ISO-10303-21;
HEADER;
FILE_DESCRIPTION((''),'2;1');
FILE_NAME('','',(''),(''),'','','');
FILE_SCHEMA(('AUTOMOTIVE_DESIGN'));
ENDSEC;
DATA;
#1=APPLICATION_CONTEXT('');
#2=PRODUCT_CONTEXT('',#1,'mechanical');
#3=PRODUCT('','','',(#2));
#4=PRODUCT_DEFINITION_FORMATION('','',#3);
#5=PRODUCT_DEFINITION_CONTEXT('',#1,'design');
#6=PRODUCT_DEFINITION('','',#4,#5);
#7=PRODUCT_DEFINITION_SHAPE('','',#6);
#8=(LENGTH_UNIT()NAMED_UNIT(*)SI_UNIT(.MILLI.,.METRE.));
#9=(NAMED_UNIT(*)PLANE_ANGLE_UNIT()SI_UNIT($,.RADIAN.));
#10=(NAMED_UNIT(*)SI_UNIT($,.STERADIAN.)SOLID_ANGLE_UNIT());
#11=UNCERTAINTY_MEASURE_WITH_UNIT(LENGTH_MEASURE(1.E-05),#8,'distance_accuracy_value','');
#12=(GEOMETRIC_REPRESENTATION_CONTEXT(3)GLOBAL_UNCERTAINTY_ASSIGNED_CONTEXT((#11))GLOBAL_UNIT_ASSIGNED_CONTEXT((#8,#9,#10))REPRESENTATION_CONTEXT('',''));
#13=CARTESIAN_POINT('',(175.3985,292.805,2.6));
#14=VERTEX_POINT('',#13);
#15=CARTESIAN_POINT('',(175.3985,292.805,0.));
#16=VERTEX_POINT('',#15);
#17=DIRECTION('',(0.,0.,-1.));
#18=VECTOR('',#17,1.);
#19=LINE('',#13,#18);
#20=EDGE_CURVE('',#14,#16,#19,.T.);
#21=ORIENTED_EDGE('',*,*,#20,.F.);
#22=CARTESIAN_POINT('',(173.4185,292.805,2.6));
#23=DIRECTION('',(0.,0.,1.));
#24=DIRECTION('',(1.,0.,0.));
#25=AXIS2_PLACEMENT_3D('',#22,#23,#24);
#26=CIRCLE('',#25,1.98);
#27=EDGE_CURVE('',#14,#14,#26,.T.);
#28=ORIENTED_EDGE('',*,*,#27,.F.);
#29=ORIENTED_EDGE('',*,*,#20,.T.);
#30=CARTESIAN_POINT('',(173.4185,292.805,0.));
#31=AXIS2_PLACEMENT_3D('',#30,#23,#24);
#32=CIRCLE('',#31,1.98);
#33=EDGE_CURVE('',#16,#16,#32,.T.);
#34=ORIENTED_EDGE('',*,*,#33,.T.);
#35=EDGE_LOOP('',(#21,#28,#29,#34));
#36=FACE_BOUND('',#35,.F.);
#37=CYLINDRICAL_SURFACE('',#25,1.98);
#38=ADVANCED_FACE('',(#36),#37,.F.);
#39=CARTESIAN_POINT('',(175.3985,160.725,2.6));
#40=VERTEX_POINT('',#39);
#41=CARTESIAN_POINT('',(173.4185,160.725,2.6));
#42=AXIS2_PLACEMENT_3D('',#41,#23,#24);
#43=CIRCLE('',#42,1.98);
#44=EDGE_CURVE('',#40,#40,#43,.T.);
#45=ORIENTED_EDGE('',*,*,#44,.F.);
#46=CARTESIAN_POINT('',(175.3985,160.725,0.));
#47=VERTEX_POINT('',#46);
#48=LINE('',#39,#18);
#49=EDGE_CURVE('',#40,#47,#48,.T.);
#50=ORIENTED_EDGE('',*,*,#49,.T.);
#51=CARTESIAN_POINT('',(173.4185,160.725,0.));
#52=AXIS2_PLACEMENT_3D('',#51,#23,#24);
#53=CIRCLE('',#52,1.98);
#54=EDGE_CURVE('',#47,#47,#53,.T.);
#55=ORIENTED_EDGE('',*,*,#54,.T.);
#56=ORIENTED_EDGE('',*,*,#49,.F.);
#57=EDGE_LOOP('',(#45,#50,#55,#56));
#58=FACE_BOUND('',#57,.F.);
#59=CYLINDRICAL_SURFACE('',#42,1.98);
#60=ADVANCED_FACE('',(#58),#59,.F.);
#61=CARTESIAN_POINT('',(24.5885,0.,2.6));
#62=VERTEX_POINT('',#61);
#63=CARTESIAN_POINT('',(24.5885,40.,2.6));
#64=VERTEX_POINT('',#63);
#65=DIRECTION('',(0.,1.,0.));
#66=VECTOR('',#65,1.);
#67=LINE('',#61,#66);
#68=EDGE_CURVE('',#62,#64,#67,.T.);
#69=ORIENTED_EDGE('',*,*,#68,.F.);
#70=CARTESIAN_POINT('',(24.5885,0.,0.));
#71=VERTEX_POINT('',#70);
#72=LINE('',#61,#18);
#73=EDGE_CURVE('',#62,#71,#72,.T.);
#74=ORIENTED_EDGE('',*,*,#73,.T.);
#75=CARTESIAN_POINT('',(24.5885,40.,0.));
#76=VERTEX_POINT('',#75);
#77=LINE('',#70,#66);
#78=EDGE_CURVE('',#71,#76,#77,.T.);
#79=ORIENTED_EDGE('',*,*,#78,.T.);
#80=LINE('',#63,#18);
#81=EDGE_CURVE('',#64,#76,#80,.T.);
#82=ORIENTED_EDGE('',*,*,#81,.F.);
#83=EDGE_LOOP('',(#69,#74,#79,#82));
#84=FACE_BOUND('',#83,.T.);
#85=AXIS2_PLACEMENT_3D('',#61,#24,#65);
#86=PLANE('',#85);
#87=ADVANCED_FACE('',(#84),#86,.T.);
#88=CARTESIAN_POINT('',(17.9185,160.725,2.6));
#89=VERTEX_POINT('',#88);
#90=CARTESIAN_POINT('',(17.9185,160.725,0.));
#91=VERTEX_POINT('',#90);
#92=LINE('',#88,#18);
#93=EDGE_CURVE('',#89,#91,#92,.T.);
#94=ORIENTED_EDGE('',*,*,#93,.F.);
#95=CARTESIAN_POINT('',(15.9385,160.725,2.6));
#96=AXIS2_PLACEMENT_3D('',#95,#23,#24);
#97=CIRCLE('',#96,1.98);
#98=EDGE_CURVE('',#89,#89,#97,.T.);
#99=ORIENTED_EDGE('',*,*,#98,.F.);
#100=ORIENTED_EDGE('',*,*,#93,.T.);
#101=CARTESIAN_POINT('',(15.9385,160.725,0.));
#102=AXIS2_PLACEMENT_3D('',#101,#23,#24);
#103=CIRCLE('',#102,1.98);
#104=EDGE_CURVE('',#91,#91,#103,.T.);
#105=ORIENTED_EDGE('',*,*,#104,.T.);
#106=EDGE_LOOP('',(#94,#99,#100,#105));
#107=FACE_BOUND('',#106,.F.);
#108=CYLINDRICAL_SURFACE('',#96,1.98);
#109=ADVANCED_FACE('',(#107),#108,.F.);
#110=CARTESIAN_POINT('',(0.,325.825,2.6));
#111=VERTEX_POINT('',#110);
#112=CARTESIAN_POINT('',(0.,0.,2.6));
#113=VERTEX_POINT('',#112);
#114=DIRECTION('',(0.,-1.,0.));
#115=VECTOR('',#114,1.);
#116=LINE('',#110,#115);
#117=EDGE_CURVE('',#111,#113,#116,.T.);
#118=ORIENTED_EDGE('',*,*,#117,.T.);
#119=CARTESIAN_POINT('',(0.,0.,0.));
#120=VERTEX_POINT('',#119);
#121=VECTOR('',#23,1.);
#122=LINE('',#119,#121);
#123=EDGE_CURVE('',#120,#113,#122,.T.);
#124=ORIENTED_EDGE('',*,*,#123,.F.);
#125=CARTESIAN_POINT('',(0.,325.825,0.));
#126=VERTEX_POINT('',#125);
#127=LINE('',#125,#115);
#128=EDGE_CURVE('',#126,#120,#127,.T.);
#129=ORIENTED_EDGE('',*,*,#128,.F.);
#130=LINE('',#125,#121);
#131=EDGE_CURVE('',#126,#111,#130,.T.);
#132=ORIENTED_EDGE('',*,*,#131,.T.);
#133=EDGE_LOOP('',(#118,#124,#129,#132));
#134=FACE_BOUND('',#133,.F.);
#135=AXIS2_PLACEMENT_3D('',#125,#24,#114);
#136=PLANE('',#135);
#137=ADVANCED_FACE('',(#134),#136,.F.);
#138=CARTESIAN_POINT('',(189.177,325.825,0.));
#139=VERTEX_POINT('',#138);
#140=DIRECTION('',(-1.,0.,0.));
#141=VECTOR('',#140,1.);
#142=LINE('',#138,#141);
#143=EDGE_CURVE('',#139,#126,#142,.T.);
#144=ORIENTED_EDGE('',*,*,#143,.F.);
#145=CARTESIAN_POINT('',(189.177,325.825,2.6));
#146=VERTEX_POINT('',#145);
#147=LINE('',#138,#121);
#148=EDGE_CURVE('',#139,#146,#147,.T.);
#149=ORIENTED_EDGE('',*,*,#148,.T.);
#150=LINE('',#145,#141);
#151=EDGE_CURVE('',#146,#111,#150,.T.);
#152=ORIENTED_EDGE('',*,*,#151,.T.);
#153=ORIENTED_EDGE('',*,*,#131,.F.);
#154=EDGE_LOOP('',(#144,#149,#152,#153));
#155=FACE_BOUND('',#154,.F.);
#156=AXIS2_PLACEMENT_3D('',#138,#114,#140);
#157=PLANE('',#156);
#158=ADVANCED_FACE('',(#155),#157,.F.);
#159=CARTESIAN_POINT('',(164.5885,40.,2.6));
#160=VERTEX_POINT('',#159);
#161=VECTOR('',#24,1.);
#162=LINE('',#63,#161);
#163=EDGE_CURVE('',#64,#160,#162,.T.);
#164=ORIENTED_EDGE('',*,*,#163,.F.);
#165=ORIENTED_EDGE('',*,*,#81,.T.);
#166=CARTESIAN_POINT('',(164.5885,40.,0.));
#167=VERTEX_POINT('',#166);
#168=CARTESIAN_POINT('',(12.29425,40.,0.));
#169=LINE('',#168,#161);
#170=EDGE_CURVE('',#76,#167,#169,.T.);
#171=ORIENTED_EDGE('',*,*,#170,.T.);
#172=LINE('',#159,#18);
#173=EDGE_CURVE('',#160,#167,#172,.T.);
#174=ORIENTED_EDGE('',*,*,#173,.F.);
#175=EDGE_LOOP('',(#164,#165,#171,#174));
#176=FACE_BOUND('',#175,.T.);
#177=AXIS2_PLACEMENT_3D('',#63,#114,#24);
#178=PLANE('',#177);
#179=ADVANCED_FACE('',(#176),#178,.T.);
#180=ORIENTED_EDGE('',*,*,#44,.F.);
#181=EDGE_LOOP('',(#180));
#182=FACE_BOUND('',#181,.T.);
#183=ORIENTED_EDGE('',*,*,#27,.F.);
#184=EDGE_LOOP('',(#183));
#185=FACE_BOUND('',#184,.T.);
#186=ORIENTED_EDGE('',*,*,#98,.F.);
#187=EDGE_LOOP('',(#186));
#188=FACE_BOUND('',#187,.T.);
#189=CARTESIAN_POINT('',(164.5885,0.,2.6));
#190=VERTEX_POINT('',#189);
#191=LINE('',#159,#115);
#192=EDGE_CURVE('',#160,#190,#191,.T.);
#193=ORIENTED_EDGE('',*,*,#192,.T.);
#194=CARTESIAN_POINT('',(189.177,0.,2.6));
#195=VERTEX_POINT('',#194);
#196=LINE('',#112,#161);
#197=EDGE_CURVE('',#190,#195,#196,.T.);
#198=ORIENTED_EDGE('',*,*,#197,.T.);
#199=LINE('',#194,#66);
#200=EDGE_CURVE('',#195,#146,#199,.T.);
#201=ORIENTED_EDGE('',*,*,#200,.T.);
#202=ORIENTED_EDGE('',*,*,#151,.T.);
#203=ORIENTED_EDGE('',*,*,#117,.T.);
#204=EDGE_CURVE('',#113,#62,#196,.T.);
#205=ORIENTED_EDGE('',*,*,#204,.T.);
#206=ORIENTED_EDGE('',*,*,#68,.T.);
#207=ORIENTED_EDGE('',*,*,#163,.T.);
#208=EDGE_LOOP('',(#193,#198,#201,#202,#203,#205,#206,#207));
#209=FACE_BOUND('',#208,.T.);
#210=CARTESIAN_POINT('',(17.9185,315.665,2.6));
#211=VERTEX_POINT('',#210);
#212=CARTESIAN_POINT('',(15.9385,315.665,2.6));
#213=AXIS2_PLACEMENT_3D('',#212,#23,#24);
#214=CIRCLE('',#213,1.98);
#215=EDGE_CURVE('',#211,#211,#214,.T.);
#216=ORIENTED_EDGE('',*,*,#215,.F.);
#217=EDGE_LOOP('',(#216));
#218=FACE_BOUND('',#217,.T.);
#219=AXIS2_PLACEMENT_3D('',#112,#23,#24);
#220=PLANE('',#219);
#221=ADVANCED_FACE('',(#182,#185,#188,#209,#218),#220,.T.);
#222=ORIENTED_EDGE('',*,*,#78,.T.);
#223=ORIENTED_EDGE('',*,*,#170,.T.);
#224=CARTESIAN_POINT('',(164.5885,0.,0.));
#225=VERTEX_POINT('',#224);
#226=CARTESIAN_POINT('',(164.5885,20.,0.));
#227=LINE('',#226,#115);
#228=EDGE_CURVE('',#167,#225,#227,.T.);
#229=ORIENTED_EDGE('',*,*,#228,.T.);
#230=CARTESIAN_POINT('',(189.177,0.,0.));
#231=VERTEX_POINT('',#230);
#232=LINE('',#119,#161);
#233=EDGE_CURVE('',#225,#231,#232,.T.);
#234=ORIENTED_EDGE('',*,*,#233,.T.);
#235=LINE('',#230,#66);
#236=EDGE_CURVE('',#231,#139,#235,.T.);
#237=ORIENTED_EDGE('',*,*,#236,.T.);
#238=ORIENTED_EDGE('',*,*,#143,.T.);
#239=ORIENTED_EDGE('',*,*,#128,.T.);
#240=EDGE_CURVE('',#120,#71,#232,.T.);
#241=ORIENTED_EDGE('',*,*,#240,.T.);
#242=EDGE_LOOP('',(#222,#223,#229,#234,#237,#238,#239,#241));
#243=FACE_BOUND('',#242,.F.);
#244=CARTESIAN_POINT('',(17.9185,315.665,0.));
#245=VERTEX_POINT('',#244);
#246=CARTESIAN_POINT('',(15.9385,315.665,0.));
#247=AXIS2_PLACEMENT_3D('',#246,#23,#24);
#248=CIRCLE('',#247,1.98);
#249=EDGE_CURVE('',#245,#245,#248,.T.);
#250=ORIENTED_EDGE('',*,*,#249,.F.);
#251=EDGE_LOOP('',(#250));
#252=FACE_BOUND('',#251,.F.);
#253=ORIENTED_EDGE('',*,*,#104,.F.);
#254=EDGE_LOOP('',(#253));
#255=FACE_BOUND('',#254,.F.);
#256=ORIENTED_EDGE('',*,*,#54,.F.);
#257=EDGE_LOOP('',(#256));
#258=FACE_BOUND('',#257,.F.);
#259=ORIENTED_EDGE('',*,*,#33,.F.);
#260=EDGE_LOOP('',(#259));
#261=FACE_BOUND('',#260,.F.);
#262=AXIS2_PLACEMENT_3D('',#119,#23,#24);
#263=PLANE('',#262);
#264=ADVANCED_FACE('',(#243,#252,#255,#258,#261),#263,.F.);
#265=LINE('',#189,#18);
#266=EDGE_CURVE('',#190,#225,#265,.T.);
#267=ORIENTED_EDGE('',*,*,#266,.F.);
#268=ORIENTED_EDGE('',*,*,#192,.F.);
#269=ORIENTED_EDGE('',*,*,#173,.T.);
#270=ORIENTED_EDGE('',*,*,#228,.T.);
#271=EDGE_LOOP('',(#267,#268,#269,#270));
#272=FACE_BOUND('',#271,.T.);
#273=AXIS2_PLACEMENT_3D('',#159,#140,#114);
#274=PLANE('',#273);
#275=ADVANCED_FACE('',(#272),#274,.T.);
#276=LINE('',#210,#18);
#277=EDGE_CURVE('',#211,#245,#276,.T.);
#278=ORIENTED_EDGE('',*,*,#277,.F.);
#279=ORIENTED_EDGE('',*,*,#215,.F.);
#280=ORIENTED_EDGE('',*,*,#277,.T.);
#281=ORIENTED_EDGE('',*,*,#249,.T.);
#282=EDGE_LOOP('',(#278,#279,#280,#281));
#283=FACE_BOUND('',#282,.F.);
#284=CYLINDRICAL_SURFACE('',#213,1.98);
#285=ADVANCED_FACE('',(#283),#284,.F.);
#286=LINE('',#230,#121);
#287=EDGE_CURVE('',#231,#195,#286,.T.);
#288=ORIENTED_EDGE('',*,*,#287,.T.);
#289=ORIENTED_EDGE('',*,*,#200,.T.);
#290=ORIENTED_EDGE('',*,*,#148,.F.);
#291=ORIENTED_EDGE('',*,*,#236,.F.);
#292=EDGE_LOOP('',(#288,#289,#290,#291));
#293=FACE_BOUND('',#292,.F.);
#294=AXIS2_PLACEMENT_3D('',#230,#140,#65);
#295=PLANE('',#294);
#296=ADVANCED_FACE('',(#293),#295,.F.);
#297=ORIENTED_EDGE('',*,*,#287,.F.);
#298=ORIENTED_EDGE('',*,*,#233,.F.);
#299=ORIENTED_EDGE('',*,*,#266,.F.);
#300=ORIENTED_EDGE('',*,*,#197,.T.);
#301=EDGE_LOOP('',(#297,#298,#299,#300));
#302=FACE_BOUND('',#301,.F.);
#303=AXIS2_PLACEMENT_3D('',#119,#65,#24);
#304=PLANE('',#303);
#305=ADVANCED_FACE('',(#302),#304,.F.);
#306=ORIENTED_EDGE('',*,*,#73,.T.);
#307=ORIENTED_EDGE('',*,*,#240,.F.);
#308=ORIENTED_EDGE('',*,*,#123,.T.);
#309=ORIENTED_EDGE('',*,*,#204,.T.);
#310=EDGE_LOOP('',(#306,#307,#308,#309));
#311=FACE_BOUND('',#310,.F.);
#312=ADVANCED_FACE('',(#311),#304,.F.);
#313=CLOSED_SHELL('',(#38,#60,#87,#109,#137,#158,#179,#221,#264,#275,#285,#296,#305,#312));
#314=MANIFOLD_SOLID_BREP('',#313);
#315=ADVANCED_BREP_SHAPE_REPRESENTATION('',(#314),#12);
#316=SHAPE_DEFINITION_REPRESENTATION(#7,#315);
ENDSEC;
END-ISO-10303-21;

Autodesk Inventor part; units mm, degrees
ref_plane "YZ Plane" through (0, 0, 0) normal (1, 0, 0) x (0, 1, 0)
ref_plane "XZ Plane" through (0, 0, 0) normal (0, 1, 0) x (-1, 0, 0)
ref_plane "XY Plane" through (0, 0, 0) normal (0, 0, 1) x (1, 0, 0)
sketch "Sketch1" plane through (0, 0, 0) normal (0, 0, 1) x (1, 0, 0)
  line L0 (0, 0) -> (189.177, 0)
  line L1 (189.177, 0) -> (189.177, 325.825)
  line L2 (189.177, 325.825) -> (0, 325.825)
  line L3 (0, 325.825) -> (0, 0)
  dimension "d0" = 189.177
  dimension "d1" = 325.825
extrude "Extrusion1" add sketch "Sketch1" along normal blind 2.6
sketch "Sketch2" plane through (0, 0, 2.6) normal (0, 0, 1) x (1, 0, 0)
  line L0 (0, 325.825) -> (0, 0) projected
  line L1 (0, 170) -> (0, 0)
  line L2 (0, 170) -> (0, 159.84) construction
  line L3 (0, 159.84) -> (6.35, 159.84) construction
  line L4 (6.35, 170) -> (163.83, 170) construction
  line L5 (163.83, 170) -> (163.83, 136.98) construction
  line L6 (6.35, 159.84) -> (6.35, 4.9) construction
  line L7 (6.35, 4.9) -> (163.83, 4.9) construction
  line L8 (6.35, 159.84) -> (15.9385, 159.84) construction
  line L9 (15.9385, 159.84) -> (15.9385, 4.9) construction
  line L10 (163.83, 136.98) -> (173.4185, 136.98) construction
  line L11 (173.4185, 136.98) -> (173.4185, 4.9) construction
  line L12 (0, 325.825) -> (0, 315.665) construction
  line L13 (15.9385, 159.84) -> (15.9385, 315.665) construction
  line L14 (173.4185, 136.98) -> (173.4185, 292.805) construction
  line L15 (15.9385, 4.9) -> (15.9385, 160.725) construction
  line L16 (173.4185, 4.9) -> (173.4185, 160.725) construction
  circle A0 centre (173.4185, 160.725) radius 1.98
  circle A1 centre (15.9385, 160.725) radius 1.98
  circle A2 centre (15.9385, 315.665) radius 1.98
  circle A3 centre (173.4185, 292.805) radius 1.98
  dimension "d4" = 10.16
  dimension "d6" = 157.48
  dimension "d7" = 33.02
  dimension "d8" = 154.94
  dimension "d13" = 9.5885
  dimension "d14" = 9.5885
  dimension "d19" = 10.16
  dimension "d20" = 155.825
  dimension "d21" = 155.825
  dimension "d22" = 155.825
  dimension "d23" = 3.96
  dimension "d24" = 3.96
  dimension "d25" = 3.96
  dimension "d26" = 3.96
extrude "Extrusion2" cut sketch "Sketch2" against normal blind 5
sketch "Sketch4" plane through (0, 0, 2.6) normal (0, 0, 1) x (1, 0, 0)
  line L0 (0, 0) -> (189.177, 0) projected
  line L1 (189.177, 0) -> (164.5885, 0) construction
  line L2 (164.5885, 0) -> (24.5885, 0)
  line L3 (24.5885, 0) -> (24.5885, 40)
  line L4 (24.5885, 40) -> (164.5885, 40)
  line L5 (164.5885, 40) -> (164.5885, 0)
  dimension "d29" = 24.5885
  dimension "d30" = 140
  dimension "d31" = 40
extrude "Extrusion3" cut sketch "Sketch4" against normal blind 10
properties part number "trunk"
